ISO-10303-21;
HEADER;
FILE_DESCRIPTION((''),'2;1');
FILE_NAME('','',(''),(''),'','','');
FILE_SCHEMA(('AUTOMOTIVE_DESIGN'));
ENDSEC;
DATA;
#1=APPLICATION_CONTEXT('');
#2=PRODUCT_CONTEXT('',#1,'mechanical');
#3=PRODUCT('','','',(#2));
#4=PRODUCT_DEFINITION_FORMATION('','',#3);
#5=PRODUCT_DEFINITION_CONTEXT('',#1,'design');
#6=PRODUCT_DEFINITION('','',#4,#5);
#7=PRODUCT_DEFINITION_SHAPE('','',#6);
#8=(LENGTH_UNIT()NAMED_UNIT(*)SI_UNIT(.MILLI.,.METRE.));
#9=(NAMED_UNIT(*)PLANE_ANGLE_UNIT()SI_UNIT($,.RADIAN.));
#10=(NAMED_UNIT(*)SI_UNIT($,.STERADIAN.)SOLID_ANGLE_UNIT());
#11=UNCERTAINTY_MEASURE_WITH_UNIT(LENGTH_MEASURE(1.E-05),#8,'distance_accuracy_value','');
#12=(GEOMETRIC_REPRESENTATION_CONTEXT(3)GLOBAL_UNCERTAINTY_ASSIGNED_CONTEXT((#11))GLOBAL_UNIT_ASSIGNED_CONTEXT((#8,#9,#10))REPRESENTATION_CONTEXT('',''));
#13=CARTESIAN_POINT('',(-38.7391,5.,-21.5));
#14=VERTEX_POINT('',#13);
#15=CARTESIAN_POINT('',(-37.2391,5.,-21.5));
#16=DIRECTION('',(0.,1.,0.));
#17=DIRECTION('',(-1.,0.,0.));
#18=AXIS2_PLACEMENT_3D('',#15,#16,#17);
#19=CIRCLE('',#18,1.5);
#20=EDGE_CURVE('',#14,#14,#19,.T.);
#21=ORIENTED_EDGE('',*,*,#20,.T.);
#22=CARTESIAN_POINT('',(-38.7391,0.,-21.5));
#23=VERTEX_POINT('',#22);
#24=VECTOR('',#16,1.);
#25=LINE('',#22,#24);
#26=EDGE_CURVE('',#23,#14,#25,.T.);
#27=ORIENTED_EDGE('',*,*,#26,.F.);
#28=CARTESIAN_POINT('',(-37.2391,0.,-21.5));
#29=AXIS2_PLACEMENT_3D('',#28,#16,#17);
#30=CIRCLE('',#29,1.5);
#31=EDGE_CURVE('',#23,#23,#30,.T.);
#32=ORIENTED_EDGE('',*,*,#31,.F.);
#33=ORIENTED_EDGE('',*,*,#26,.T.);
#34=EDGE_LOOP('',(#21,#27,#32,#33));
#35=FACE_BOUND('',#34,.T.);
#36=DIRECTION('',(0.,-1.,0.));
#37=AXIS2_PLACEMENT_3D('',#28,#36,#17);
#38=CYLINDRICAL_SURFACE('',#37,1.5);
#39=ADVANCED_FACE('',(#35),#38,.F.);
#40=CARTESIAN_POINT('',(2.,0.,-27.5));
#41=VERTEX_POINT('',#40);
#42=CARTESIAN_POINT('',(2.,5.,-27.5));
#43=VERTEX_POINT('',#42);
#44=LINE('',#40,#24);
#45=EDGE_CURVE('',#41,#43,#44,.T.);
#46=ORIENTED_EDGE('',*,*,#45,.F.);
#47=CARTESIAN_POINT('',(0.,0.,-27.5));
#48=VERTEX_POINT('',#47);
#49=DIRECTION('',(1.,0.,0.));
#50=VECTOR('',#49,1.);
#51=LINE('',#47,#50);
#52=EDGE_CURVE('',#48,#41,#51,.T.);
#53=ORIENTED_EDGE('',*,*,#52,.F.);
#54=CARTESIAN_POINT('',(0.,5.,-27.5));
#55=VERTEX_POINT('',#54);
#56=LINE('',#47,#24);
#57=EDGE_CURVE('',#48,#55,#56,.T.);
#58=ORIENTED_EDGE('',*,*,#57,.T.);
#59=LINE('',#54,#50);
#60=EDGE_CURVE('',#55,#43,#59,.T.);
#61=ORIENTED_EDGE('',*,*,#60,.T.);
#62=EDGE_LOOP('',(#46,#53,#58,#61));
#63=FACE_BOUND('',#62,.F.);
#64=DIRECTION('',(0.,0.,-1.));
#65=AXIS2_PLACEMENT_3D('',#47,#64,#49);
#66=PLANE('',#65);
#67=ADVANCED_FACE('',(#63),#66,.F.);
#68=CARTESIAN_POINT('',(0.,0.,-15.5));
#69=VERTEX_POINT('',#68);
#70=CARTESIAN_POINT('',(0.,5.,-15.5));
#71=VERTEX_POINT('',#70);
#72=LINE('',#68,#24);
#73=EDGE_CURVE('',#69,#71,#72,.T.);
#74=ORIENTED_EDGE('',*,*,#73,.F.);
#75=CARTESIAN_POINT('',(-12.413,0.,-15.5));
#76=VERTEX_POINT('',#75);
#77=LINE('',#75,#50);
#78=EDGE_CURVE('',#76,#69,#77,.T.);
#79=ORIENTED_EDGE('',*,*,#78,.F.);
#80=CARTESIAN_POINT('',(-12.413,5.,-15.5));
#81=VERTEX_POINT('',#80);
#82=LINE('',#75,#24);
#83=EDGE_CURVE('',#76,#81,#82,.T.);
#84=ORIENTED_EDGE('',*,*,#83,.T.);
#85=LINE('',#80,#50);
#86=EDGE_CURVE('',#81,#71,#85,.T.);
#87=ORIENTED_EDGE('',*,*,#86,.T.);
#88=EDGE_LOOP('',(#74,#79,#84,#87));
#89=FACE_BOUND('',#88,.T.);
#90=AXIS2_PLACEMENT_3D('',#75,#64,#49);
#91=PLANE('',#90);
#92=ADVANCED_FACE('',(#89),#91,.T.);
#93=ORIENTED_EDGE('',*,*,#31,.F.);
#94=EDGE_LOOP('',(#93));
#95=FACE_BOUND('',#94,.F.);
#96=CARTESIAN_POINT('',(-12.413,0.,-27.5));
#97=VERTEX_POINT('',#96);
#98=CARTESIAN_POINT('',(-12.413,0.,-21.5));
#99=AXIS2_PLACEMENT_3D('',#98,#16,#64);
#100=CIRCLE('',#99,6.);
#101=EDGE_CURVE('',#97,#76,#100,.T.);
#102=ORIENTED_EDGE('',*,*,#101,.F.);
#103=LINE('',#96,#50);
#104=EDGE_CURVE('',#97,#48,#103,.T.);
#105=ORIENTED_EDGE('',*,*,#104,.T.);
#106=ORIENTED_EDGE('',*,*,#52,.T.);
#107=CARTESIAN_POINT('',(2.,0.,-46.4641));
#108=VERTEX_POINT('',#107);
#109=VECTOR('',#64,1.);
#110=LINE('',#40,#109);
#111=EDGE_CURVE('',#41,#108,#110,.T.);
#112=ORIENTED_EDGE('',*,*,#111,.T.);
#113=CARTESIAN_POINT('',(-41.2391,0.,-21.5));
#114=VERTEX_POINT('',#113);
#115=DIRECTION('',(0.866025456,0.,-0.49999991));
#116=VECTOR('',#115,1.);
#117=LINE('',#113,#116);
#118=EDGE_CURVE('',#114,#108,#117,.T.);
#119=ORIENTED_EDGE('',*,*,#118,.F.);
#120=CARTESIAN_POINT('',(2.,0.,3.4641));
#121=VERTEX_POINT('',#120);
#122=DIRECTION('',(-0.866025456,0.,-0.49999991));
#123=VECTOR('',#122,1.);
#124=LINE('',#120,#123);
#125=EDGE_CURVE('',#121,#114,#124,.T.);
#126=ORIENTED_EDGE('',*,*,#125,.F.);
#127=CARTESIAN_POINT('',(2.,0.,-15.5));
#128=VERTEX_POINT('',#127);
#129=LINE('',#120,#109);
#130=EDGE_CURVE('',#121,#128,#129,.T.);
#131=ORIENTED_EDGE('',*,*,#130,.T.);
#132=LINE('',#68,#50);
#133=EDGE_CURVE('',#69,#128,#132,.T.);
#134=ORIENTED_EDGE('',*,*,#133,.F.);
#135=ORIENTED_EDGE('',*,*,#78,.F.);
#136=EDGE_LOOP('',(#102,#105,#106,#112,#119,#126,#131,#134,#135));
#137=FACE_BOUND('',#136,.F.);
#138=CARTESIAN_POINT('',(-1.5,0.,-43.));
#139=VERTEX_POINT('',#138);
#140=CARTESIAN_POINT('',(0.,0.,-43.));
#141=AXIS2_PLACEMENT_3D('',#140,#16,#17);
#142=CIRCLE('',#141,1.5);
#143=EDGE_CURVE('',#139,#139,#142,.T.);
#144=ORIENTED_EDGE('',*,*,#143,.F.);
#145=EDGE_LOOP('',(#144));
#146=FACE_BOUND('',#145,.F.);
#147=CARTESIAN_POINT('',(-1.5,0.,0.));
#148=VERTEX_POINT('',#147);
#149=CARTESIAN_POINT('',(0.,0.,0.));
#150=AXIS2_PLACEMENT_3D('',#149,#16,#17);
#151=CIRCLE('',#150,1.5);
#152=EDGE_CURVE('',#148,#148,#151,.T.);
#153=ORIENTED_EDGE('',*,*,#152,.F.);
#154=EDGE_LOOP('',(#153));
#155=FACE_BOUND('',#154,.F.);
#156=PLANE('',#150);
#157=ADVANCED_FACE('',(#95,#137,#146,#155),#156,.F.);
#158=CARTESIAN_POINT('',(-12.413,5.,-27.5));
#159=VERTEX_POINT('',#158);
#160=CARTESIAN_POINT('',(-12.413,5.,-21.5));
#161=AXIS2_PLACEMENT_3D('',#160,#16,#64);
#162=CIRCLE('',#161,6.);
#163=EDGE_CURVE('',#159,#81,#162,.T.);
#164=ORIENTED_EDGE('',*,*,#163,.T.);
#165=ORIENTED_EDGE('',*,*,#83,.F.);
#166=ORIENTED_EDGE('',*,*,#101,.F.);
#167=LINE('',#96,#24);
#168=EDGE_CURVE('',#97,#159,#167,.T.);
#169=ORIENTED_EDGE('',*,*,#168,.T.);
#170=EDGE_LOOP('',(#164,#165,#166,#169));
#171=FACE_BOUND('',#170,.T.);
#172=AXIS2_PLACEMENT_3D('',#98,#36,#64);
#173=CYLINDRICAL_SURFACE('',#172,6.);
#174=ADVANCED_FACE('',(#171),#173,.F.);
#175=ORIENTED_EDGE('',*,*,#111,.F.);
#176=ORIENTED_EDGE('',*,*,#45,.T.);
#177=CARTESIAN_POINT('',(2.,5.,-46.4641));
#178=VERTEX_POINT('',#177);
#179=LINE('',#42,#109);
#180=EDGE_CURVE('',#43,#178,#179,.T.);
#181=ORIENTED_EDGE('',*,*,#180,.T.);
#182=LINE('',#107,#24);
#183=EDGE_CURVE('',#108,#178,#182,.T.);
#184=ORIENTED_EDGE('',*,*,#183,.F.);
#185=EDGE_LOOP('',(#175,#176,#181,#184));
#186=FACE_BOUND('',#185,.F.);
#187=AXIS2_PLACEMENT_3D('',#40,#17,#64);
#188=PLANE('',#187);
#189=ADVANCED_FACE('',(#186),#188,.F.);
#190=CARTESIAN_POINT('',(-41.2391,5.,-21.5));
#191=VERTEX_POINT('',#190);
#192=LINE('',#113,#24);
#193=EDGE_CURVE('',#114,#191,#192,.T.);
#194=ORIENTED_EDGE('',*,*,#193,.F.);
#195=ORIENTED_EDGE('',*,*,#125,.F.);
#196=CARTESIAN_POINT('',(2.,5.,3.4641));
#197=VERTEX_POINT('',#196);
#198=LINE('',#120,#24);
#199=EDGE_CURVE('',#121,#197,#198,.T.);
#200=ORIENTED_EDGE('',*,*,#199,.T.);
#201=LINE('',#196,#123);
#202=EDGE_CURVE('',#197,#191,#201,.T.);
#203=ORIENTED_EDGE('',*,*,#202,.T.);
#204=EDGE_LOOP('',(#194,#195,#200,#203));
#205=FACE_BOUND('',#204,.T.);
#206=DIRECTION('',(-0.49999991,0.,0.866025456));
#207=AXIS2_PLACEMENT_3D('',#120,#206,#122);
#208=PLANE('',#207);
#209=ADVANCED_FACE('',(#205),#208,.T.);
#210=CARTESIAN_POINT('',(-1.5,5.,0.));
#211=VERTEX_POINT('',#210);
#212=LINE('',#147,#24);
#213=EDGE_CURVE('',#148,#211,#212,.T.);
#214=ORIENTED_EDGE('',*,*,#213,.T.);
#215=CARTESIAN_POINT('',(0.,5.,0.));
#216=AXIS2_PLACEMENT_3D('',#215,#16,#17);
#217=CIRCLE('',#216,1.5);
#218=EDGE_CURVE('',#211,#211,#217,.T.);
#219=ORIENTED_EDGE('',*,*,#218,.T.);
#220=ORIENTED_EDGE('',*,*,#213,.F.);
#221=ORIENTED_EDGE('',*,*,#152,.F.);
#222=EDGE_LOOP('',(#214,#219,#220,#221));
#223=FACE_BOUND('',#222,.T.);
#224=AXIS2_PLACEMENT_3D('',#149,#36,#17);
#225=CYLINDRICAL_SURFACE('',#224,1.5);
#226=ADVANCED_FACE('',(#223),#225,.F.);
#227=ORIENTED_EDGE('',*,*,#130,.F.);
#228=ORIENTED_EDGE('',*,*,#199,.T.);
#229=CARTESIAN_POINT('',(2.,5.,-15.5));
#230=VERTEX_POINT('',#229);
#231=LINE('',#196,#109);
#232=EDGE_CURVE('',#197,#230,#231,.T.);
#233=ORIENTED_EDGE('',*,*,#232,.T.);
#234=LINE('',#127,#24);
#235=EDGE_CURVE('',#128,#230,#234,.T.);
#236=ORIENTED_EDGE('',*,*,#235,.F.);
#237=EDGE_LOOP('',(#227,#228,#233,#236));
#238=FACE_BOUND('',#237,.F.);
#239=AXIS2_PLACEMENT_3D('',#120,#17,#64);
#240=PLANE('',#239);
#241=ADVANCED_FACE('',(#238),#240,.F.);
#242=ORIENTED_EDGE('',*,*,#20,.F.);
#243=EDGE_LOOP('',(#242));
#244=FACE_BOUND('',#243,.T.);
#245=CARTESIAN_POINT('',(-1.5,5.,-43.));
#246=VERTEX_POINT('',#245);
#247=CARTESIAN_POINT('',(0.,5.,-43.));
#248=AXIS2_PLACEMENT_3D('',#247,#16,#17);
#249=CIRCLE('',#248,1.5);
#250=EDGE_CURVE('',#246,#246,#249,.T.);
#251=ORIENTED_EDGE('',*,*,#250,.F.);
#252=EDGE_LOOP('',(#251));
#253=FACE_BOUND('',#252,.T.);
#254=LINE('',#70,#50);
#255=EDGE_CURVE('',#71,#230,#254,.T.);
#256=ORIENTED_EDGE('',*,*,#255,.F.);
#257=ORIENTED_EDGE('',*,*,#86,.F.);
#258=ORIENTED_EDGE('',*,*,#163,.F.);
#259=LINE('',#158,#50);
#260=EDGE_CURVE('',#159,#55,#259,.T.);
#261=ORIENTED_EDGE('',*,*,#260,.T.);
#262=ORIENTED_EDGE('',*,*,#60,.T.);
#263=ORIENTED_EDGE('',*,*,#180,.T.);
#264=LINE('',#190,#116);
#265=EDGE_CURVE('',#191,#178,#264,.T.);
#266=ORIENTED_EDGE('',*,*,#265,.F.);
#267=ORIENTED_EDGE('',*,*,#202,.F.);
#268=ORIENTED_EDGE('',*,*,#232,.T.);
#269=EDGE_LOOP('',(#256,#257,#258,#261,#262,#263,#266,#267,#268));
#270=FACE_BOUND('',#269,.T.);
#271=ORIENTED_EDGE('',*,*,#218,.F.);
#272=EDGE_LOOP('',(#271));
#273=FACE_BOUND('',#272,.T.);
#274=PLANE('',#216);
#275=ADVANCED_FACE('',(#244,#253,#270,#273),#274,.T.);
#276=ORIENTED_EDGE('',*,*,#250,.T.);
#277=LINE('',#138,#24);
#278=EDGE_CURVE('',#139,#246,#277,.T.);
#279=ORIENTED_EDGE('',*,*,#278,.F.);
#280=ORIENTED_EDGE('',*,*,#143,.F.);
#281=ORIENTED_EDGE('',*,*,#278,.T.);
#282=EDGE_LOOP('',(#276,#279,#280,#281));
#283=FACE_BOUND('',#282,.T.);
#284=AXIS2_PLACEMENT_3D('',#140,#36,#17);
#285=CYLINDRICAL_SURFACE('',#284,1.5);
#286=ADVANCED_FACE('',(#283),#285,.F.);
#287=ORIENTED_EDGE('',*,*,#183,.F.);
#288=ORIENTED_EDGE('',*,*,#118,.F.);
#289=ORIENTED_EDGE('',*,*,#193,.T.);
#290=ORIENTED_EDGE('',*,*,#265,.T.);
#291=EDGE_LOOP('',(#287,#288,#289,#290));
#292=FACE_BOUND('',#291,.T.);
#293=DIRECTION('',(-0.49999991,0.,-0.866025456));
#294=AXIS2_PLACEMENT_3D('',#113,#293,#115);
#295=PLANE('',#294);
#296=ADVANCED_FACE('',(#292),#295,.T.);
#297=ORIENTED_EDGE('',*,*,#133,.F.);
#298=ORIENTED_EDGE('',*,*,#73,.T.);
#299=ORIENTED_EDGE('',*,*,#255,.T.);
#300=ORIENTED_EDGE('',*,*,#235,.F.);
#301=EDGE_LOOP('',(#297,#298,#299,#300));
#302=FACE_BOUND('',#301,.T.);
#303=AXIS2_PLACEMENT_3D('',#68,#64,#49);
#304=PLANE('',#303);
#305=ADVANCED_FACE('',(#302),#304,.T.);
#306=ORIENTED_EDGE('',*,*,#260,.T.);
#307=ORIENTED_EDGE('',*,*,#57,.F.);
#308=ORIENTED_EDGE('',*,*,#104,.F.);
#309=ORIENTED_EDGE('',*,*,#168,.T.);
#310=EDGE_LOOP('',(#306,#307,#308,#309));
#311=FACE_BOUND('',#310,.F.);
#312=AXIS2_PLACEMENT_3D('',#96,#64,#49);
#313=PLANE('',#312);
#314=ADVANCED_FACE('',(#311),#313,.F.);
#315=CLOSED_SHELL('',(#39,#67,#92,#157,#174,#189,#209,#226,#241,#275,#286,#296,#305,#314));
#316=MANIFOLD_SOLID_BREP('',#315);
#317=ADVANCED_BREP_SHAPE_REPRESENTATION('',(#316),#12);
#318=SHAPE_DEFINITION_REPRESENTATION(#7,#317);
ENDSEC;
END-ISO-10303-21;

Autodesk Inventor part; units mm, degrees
ref_plane "YZ Plane" through (0, 0, 0) normal (1, 0, 0) x (0, 1, 0)
ref_plane "XZ Plane" through (0, 0, 0) normal (0, 1, 0) x (-1, 0, 0)
ref_plane "XY Plane" through (0, 0, 0) normal (0, 0, 1) x (1, 0, 0)
sketch "Sketch1" plane through (0, 0, 0) normal (0, 1, 0) x (-1, 0, 0)
  circle A0 centre (0, 0) radius 1.5
  circle A1 centre (0, -43) radius 1.5
  circle A2 centre (37.2391, -21.5) radius 1.5
  line L0 (12.413, -15.5) -> (0, -15.5)
  line L1 (12.413, -27.5) -> (0, -27.5)
  arc A3 (12.413, -27.5) -> (12.413, -15.5) centre (12.413, -21.5) ccw
  line L2 (-2, 3.4641) -> (41.2391, -21.5)
  line L3 (41.2391, -21.5) -> (-2, -46.4641)
  line L4 (0, -15.5) -> (-2, -15.5)
  line L5 (0, -27.5) -> (-2, -27.5)
  line L6 (-2, -27.5) -> (-2, -46.4641)
  line L7 (-2, 3.4641) -> (-2, -15.5)
  dimension "d0" = 3
  dimension "d1" = 3
  dimension "d2" = 43
  dimension "d4" = 3
extrude "Extrusion1" add sketch "Sketch1" along normal blind 5
properties part number "Support extruder v1"
